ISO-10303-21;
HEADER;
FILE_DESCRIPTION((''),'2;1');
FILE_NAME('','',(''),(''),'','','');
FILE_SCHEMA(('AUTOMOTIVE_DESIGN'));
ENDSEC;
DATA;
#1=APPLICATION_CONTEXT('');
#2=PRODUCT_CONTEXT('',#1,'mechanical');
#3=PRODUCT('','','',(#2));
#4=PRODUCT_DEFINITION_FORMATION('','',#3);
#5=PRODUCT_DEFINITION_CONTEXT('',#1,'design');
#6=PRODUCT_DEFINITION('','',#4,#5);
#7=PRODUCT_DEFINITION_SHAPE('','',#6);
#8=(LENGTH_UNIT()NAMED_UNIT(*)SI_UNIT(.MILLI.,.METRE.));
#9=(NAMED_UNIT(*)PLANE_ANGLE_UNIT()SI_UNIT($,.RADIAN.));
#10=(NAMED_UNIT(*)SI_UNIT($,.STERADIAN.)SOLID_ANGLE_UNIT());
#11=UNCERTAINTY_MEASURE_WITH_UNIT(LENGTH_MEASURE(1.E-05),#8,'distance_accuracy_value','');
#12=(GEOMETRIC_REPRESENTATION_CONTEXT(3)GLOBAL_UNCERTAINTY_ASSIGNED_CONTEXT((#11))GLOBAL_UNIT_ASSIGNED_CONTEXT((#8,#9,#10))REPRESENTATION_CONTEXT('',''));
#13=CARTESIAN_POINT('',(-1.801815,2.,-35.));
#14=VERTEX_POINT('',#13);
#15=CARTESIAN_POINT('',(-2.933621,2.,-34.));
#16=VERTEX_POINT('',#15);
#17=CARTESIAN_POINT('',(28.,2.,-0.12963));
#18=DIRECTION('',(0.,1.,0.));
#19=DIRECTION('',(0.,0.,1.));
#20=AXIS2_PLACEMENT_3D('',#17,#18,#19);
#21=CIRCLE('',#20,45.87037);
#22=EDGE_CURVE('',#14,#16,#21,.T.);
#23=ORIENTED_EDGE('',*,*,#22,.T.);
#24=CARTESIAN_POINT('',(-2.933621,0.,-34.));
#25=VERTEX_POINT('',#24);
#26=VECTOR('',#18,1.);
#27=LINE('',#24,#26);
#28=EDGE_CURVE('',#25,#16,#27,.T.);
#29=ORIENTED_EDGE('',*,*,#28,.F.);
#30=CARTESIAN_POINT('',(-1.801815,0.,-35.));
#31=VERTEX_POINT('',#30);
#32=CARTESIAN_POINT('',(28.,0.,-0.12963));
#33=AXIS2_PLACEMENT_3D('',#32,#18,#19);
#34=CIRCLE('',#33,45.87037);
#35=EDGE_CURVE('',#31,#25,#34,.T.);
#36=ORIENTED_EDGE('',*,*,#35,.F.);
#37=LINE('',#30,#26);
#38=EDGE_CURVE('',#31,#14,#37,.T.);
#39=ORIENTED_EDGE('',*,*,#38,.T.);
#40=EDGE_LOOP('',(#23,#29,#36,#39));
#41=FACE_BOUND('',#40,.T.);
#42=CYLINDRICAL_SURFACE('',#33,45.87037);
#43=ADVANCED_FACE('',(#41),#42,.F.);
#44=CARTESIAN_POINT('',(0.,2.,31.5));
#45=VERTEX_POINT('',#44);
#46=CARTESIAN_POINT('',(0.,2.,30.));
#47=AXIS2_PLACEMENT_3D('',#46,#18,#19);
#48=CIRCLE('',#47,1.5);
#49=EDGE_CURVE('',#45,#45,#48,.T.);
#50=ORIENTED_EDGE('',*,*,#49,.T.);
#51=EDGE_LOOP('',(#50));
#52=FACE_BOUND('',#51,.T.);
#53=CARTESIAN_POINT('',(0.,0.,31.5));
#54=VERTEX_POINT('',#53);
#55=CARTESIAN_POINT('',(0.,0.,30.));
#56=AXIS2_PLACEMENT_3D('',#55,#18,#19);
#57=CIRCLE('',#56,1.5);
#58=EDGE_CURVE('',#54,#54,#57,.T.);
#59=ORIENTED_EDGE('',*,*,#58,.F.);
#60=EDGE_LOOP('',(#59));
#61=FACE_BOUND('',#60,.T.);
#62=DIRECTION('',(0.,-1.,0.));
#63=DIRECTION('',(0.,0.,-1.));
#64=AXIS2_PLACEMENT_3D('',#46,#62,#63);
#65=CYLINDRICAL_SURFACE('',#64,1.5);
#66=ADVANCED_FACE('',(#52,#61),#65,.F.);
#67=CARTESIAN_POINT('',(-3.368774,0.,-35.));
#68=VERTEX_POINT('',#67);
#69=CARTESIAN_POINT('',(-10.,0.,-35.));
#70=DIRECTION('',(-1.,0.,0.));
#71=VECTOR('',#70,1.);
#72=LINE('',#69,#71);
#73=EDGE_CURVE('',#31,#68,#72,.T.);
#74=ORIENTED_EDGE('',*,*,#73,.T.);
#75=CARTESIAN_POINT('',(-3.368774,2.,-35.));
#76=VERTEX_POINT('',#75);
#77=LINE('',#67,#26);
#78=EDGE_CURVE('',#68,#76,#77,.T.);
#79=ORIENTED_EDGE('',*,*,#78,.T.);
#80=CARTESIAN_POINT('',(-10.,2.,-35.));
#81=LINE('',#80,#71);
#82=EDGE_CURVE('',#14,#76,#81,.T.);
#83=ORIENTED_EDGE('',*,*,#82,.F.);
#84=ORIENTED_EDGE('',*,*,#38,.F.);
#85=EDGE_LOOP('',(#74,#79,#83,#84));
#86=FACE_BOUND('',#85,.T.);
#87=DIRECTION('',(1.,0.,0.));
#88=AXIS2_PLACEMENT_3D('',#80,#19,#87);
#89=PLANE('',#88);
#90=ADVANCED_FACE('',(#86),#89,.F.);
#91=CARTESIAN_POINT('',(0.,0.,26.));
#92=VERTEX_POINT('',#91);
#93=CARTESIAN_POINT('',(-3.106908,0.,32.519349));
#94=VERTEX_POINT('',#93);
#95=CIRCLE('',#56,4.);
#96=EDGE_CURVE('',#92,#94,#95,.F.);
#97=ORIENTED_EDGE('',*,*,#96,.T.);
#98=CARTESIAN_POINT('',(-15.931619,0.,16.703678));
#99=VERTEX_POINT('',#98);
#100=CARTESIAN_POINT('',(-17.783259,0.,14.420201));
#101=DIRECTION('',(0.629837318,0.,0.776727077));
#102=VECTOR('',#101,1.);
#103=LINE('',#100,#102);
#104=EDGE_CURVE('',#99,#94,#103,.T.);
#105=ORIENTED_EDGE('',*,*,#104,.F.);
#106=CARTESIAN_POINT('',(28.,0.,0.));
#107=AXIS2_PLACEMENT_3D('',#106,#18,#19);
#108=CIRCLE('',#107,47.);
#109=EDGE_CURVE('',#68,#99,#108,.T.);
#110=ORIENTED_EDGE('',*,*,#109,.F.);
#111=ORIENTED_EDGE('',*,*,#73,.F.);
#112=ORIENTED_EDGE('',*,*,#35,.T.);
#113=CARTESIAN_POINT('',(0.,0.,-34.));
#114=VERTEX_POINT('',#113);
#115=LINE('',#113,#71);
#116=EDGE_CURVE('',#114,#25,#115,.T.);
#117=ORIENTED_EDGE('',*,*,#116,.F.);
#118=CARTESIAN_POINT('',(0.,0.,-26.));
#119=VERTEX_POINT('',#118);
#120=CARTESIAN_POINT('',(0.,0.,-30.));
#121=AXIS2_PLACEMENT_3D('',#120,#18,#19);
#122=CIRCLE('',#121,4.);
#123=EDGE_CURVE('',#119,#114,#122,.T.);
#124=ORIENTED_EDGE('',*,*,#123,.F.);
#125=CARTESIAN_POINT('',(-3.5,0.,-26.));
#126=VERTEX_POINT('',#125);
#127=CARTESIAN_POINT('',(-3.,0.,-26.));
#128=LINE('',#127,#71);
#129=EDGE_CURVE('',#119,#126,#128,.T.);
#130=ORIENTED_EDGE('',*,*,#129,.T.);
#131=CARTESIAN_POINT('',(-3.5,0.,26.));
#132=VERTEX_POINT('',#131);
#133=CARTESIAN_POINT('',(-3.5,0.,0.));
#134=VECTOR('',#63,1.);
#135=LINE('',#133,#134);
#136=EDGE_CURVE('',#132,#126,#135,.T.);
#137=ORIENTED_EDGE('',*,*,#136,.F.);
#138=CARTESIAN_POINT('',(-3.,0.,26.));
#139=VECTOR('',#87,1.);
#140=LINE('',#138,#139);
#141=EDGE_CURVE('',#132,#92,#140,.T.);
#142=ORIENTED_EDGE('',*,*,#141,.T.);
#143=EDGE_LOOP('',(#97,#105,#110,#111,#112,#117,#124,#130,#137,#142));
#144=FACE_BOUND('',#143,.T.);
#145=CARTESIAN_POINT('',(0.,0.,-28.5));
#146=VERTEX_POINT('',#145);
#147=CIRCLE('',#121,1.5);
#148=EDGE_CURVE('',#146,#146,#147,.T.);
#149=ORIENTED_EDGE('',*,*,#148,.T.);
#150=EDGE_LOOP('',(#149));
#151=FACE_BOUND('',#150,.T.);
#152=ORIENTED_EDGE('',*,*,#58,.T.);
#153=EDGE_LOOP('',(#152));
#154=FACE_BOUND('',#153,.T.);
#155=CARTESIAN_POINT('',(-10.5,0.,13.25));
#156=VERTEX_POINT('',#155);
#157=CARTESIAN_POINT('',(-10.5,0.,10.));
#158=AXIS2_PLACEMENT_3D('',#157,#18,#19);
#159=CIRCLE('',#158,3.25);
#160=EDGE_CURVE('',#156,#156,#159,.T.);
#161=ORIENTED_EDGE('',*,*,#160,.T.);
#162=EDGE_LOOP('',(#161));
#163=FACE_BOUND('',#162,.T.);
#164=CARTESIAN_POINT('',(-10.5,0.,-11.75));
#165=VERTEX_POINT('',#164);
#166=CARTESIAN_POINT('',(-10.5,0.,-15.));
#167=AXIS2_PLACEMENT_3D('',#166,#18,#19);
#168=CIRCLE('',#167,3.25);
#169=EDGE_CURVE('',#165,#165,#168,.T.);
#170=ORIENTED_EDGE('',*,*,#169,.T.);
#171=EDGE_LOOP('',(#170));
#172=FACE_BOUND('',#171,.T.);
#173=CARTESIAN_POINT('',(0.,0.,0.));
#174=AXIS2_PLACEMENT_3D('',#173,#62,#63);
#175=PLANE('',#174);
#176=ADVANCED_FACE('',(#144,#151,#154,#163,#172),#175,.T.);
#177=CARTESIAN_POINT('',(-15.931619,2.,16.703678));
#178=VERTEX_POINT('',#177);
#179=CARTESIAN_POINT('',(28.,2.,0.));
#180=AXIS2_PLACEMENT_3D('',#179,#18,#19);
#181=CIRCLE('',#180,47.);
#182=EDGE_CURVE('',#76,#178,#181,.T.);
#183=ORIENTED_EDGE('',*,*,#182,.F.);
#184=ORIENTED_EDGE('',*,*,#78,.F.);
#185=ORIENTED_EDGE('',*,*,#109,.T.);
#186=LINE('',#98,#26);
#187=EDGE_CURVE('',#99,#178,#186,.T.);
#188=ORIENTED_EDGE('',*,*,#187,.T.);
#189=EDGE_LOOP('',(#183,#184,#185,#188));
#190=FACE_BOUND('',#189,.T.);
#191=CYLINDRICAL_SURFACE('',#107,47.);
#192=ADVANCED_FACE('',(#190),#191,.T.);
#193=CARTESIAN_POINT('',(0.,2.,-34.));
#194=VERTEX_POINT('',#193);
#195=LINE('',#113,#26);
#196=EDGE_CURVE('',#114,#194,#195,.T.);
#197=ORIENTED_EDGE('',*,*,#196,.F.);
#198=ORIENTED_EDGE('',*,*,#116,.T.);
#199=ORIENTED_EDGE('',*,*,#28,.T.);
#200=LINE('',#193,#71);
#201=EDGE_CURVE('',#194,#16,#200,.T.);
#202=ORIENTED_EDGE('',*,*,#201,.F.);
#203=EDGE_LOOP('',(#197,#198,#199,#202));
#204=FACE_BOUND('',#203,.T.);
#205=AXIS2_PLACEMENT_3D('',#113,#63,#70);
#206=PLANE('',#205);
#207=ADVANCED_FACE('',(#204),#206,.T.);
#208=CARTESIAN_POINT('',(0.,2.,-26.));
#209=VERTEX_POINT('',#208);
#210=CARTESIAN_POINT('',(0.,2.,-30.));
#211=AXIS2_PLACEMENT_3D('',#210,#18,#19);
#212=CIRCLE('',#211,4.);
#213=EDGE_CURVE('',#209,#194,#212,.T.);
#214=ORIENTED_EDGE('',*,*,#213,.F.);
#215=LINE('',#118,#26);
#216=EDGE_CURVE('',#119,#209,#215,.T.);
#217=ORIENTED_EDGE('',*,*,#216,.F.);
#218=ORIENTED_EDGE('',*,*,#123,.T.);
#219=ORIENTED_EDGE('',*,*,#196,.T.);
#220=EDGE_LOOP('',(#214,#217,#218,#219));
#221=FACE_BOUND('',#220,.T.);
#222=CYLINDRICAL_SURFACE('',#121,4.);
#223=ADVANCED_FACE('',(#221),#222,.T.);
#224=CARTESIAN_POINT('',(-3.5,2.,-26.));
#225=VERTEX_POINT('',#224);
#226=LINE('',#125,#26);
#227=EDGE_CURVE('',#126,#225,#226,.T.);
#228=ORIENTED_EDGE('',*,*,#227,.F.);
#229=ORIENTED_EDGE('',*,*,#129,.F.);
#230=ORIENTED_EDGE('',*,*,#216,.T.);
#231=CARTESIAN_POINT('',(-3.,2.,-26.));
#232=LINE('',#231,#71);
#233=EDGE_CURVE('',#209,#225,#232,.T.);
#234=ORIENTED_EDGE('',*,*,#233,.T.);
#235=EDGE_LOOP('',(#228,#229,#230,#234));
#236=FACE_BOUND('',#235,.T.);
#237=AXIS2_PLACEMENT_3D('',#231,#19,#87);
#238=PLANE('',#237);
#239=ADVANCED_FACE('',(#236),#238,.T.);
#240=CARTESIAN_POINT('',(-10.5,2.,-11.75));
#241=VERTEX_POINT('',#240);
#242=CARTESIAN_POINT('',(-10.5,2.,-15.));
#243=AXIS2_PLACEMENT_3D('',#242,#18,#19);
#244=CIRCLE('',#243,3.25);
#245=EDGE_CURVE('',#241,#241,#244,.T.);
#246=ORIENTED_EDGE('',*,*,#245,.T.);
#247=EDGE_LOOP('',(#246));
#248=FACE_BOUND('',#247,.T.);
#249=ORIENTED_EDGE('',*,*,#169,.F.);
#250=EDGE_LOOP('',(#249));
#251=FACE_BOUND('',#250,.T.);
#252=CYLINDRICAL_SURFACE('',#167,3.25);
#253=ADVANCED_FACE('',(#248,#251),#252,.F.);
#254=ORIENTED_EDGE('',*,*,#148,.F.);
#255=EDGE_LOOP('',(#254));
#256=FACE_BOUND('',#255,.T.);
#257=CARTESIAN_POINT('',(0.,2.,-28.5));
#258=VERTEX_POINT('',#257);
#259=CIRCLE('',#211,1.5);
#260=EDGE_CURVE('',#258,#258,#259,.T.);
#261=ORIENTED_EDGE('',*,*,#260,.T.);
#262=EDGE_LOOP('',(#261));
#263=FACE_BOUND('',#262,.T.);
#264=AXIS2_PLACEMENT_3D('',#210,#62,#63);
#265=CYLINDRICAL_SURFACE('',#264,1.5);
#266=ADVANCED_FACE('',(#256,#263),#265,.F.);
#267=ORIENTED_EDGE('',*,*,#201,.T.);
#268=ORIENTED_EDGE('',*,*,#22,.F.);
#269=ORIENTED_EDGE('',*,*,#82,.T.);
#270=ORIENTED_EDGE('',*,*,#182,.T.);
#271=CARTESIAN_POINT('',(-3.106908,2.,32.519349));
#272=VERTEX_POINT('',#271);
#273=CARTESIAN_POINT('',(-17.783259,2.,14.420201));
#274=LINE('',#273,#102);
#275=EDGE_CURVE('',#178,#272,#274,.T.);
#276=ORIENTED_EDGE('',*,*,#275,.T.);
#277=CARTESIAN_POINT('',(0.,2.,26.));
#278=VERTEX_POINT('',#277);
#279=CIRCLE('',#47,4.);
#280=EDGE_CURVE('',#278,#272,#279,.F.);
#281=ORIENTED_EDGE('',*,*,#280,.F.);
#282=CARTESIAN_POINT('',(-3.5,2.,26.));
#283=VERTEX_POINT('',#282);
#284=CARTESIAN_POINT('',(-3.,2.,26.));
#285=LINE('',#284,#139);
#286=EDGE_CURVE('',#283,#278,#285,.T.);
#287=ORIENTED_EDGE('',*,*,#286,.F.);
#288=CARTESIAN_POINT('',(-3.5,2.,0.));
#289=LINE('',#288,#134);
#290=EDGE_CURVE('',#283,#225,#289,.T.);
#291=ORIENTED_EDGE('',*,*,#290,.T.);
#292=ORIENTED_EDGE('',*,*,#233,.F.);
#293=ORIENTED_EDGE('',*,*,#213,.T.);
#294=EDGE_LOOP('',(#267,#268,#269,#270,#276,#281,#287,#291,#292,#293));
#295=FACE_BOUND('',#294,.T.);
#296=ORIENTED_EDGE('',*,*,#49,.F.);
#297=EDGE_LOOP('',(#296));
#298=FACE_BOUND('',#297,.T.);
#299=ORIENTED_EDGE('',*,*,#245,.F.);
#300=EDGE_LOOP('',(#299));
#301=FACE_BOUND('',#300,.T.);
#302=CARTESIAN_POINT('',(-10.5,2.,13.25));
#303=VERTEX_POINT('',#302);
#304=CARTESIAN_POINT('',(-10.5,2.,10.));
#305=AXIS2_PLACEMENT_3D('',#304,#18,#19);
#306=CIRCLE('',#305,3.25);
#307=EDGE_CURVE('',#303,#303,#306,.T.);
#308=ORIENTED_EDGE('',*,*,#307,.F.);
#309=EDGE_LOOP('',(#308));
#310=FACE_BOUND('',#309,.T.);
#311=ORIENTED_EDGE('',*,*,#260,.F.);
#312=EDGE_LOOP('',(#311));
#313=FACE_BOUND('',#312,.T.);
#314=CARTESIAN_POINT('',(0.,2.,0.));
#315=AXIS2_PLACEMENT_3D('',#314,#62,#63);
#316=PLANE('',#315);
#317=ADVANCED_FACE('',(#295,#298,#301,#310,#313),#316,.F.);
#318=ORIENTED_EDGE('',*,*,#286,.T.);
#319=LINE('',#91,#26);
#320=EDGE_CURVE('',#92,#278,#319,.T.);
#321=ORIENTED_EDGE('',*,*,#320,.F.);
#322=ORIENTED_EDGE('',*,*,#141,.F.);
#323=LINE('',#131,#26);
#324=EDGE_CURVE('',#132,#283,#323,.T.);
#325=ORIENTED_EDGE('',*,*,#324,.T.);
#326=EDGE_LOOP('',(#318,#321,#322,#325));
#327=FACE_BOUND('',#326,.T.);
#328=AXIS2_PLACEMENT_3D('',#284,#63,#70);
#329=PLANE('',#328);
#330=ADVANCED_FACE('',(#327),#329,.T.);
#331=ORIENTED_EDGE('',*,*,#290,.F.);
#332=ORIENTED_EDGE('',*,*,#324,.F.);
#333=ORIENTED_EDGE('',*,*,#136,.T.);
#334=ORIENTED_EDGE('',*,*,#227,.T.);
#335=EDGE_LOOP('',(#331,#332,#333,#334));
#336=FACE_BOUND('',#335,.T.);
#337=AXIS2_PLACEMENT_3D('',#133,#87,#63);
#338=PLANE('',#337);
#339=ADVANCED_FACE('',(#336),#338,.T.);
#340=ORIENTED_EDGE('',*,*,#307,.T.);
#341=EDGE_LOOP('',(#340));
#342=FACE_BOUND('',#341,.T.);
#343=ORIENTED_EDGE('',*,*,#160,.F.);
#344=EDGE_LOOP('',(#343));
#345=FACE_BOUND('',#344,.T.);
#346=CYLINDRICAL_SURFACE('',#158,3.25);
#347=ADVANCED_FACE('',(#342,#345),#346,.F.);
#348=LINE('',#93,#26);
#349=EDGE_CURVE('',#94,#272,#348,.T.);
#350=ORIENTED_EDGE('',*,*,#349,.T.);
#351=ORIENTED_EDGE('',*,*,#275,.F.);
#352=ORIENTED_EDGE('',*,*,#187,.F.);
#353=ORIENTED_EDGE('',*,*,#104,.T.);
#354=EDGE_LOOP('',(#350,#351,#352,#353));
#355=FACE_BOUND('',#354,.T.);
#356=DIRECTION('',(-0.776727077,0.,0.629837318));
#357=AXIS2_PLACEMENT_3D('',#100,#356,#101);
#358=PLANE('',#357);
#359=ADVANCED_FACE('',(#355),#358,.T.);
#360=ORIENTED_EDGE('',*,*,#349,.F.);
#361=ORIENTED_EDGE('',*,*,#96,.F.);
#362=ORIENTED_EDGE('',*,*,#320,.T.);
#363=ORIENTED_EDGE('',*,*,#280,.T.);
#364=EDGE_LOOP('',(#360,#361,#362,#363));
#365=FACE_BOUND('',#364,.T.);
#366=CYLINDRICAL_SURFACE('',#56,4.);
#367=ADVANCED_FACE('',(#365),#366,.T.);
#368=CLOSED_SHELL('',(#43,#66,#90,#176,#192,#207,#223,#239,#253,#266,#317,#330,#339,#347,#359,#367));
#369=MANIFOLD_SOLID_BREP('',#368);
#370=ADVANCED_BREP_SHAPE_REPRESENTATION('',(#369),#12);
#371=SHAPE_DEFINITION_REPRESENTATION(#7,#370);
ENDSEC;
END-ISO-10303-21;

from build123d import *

# Parameters (mm, degrees)
SKETCH_1_W          = 20
SKETCH_1_H          = 70
SKETCH_1_R          = 1.5
SKETCH_1_W_2        = 6
SKETCH_1_H_2        = 52
EXTRUDE_1_DEPTH     = 2
SKETCH_2_W          = 0.5
SKETCH_2_H          = 26
CUT_EXTRUDE_1_DEPTH = 37.455452267
EXTRUDE_3_DEPTH     = 2
SKETCH_4_R          = 3.25
CUT_EXTRUDE_2_DEPTH = 40.874804075


with BuildPart() as part:
    # Эскиз1 → Бобышка-Вытянуть1 (new body)
    with BuildSketch(Plane(origin=(0, 0, 0), x_dir=(1, 0, 0), z_dir=(0, 1, 0))):
        Rectangle(SKETCH_1_W, SKETCH_1_H)
        with Locations(Location((0, 30, 0), (0, 0, 270))):
            Circle(SKETCH_1_R, mode=Mode.SUBTRACT)
        with Locations(Location((0, -30, 0), (0, 0, 270))):
            Circle(SKETCH_1_R, mode=Mode.SUBTRACT)
        Rectangle(SKETCH_1_W_2, SKETCH_1_H_2, mode=Mode.SUBTRACT)
    extrude(amount=EXTRUDE_1_DEPTH)

    # Эскиз2 → Вырез-Вытянуть1 (cut, through all)
    with BuildSketch(Plane(origin=(0, 2, 0), x_dir=(1, 0, 0), z_dir=(0, 1, 0))):
        with Locations((-3.25, -13)):
            Rectangle(SKETCH_2_W, SKETCH_2_H)
        with Locations((-3.25, 13)):
            Rectangle(SKETCH_2_W, SKETCH_2_H)
        with BuildLine():
            ThreePointArc((4, 30), (2.828427125, 27.171572875), (0, 26))
            Line((0, 26), (3, 26))
            Line((3, 26), (3, 0))
            Line((3, 0), (10, 0))
            Line((10, 0), (10, 35))
            Line((10, 35), (-1.801814511, 35))
            ThreePointArc((-1.801814511, 35), (-2.371833534, 34.50465844), (-2.933620688, 34))
            Line((-2.933620688, 34), (0, 34))
            ThreePointArc((0, 34), (2.828427125, 32.828427125), (4, 30))
        make_face()
        with BuildLine():
            ThreePointArc((-10, 27.658633372), (-7.367393186, 30.953957731), (-4.449961479, 34))
            ThreePointArc((-4.449961479, 34), (-3.913284985, 34.504235123), (-3.368774283, 35))
            Line((-3.368774283, 35), (-10, 35))
            Line((-10, 35), (-10, 27.658633372))
        make_face()
        with BuildLine():
            Line((10, 0), (3, 0))
            Line((3, 0), (3, -26))
            Line((3, -26), (0, -26))
            ThreePointArc((0, -26), (2.828427125, -27.171572875), (4, -30))
            ThreePointArc((4, -30), (1.336481718, -33.770121565), (-3.106908308, -32.519349274))
            Line((-3.106908308, -32.519349274), (-4.5, -30.80136273))
            Line((-4.5, -30.80136273), (-4.5, -32.5))
            ThreePointArc((-4.5, -32.5), (-3.175976694, -33.777056798), (-1.801814511, -35))
            Line((-1.801814511, -35), (10, -35))
            Line((10, -35), (10, 0))
        make_face()
        with BuildLine():
            Line((-4.5, -32.5), (-4.5, -30.80136273))
            Line((-4.5, -30.80136273), (-10, -24.018660595))
            Line((-10, -24.018660595), (-10, -35))
            Line((-10, -35), (-1.801814511, -35))
            ThreePointArc((-1.801814511, -35), (-3.175976694, -33.777056798), (-4.5, -32.5))
        make_face()
    extrude(amount=-CUT_EXTRUDE_1_DEPTH, mode=Mode.SUBTRACT)

    # Эскиз3 → Бобышка-Вытянуть3 (add)
    with BuildSketch(Plane(origin=(0, 2, 0), x_dir=(1, 0, 0), z_dir=(0, 1, 0))):
        with BuildLine():
            Line((-15.931618932, -16.703677979), (-10, -24.018660595))
            Line((-10, -24.018660595), (-10, 27.658633372))
            ThreePointArc((-10, 27.658633372), (-18.585418451, 6.228867289), (-15.931618932, -16.703677979))
        make_face()
    extrude(amount=-EXTRUDE_3_DEPTH)

    # Эскиз4 → Вырез-Вытянуть2 (cut, through all)
    with BuildSketch(Plane(origin=(0, 2, 0), x_dir=(1, 0, 0), z_dir=(0, 1, 0))):
        with Locations(Location((-10.5, 15, 0), (0, 0, 270))):
            Circle(SKETCH_4_R)
        with Locations(Location((-10.5, -10, 0), (0, 0, 270))):
            Circle(SKETCH_4_R)
    extrude(amount=-CUT_EXTRUDE_2_DEPTH, mode=Mode.SUBTRACT)


solid = part.part
